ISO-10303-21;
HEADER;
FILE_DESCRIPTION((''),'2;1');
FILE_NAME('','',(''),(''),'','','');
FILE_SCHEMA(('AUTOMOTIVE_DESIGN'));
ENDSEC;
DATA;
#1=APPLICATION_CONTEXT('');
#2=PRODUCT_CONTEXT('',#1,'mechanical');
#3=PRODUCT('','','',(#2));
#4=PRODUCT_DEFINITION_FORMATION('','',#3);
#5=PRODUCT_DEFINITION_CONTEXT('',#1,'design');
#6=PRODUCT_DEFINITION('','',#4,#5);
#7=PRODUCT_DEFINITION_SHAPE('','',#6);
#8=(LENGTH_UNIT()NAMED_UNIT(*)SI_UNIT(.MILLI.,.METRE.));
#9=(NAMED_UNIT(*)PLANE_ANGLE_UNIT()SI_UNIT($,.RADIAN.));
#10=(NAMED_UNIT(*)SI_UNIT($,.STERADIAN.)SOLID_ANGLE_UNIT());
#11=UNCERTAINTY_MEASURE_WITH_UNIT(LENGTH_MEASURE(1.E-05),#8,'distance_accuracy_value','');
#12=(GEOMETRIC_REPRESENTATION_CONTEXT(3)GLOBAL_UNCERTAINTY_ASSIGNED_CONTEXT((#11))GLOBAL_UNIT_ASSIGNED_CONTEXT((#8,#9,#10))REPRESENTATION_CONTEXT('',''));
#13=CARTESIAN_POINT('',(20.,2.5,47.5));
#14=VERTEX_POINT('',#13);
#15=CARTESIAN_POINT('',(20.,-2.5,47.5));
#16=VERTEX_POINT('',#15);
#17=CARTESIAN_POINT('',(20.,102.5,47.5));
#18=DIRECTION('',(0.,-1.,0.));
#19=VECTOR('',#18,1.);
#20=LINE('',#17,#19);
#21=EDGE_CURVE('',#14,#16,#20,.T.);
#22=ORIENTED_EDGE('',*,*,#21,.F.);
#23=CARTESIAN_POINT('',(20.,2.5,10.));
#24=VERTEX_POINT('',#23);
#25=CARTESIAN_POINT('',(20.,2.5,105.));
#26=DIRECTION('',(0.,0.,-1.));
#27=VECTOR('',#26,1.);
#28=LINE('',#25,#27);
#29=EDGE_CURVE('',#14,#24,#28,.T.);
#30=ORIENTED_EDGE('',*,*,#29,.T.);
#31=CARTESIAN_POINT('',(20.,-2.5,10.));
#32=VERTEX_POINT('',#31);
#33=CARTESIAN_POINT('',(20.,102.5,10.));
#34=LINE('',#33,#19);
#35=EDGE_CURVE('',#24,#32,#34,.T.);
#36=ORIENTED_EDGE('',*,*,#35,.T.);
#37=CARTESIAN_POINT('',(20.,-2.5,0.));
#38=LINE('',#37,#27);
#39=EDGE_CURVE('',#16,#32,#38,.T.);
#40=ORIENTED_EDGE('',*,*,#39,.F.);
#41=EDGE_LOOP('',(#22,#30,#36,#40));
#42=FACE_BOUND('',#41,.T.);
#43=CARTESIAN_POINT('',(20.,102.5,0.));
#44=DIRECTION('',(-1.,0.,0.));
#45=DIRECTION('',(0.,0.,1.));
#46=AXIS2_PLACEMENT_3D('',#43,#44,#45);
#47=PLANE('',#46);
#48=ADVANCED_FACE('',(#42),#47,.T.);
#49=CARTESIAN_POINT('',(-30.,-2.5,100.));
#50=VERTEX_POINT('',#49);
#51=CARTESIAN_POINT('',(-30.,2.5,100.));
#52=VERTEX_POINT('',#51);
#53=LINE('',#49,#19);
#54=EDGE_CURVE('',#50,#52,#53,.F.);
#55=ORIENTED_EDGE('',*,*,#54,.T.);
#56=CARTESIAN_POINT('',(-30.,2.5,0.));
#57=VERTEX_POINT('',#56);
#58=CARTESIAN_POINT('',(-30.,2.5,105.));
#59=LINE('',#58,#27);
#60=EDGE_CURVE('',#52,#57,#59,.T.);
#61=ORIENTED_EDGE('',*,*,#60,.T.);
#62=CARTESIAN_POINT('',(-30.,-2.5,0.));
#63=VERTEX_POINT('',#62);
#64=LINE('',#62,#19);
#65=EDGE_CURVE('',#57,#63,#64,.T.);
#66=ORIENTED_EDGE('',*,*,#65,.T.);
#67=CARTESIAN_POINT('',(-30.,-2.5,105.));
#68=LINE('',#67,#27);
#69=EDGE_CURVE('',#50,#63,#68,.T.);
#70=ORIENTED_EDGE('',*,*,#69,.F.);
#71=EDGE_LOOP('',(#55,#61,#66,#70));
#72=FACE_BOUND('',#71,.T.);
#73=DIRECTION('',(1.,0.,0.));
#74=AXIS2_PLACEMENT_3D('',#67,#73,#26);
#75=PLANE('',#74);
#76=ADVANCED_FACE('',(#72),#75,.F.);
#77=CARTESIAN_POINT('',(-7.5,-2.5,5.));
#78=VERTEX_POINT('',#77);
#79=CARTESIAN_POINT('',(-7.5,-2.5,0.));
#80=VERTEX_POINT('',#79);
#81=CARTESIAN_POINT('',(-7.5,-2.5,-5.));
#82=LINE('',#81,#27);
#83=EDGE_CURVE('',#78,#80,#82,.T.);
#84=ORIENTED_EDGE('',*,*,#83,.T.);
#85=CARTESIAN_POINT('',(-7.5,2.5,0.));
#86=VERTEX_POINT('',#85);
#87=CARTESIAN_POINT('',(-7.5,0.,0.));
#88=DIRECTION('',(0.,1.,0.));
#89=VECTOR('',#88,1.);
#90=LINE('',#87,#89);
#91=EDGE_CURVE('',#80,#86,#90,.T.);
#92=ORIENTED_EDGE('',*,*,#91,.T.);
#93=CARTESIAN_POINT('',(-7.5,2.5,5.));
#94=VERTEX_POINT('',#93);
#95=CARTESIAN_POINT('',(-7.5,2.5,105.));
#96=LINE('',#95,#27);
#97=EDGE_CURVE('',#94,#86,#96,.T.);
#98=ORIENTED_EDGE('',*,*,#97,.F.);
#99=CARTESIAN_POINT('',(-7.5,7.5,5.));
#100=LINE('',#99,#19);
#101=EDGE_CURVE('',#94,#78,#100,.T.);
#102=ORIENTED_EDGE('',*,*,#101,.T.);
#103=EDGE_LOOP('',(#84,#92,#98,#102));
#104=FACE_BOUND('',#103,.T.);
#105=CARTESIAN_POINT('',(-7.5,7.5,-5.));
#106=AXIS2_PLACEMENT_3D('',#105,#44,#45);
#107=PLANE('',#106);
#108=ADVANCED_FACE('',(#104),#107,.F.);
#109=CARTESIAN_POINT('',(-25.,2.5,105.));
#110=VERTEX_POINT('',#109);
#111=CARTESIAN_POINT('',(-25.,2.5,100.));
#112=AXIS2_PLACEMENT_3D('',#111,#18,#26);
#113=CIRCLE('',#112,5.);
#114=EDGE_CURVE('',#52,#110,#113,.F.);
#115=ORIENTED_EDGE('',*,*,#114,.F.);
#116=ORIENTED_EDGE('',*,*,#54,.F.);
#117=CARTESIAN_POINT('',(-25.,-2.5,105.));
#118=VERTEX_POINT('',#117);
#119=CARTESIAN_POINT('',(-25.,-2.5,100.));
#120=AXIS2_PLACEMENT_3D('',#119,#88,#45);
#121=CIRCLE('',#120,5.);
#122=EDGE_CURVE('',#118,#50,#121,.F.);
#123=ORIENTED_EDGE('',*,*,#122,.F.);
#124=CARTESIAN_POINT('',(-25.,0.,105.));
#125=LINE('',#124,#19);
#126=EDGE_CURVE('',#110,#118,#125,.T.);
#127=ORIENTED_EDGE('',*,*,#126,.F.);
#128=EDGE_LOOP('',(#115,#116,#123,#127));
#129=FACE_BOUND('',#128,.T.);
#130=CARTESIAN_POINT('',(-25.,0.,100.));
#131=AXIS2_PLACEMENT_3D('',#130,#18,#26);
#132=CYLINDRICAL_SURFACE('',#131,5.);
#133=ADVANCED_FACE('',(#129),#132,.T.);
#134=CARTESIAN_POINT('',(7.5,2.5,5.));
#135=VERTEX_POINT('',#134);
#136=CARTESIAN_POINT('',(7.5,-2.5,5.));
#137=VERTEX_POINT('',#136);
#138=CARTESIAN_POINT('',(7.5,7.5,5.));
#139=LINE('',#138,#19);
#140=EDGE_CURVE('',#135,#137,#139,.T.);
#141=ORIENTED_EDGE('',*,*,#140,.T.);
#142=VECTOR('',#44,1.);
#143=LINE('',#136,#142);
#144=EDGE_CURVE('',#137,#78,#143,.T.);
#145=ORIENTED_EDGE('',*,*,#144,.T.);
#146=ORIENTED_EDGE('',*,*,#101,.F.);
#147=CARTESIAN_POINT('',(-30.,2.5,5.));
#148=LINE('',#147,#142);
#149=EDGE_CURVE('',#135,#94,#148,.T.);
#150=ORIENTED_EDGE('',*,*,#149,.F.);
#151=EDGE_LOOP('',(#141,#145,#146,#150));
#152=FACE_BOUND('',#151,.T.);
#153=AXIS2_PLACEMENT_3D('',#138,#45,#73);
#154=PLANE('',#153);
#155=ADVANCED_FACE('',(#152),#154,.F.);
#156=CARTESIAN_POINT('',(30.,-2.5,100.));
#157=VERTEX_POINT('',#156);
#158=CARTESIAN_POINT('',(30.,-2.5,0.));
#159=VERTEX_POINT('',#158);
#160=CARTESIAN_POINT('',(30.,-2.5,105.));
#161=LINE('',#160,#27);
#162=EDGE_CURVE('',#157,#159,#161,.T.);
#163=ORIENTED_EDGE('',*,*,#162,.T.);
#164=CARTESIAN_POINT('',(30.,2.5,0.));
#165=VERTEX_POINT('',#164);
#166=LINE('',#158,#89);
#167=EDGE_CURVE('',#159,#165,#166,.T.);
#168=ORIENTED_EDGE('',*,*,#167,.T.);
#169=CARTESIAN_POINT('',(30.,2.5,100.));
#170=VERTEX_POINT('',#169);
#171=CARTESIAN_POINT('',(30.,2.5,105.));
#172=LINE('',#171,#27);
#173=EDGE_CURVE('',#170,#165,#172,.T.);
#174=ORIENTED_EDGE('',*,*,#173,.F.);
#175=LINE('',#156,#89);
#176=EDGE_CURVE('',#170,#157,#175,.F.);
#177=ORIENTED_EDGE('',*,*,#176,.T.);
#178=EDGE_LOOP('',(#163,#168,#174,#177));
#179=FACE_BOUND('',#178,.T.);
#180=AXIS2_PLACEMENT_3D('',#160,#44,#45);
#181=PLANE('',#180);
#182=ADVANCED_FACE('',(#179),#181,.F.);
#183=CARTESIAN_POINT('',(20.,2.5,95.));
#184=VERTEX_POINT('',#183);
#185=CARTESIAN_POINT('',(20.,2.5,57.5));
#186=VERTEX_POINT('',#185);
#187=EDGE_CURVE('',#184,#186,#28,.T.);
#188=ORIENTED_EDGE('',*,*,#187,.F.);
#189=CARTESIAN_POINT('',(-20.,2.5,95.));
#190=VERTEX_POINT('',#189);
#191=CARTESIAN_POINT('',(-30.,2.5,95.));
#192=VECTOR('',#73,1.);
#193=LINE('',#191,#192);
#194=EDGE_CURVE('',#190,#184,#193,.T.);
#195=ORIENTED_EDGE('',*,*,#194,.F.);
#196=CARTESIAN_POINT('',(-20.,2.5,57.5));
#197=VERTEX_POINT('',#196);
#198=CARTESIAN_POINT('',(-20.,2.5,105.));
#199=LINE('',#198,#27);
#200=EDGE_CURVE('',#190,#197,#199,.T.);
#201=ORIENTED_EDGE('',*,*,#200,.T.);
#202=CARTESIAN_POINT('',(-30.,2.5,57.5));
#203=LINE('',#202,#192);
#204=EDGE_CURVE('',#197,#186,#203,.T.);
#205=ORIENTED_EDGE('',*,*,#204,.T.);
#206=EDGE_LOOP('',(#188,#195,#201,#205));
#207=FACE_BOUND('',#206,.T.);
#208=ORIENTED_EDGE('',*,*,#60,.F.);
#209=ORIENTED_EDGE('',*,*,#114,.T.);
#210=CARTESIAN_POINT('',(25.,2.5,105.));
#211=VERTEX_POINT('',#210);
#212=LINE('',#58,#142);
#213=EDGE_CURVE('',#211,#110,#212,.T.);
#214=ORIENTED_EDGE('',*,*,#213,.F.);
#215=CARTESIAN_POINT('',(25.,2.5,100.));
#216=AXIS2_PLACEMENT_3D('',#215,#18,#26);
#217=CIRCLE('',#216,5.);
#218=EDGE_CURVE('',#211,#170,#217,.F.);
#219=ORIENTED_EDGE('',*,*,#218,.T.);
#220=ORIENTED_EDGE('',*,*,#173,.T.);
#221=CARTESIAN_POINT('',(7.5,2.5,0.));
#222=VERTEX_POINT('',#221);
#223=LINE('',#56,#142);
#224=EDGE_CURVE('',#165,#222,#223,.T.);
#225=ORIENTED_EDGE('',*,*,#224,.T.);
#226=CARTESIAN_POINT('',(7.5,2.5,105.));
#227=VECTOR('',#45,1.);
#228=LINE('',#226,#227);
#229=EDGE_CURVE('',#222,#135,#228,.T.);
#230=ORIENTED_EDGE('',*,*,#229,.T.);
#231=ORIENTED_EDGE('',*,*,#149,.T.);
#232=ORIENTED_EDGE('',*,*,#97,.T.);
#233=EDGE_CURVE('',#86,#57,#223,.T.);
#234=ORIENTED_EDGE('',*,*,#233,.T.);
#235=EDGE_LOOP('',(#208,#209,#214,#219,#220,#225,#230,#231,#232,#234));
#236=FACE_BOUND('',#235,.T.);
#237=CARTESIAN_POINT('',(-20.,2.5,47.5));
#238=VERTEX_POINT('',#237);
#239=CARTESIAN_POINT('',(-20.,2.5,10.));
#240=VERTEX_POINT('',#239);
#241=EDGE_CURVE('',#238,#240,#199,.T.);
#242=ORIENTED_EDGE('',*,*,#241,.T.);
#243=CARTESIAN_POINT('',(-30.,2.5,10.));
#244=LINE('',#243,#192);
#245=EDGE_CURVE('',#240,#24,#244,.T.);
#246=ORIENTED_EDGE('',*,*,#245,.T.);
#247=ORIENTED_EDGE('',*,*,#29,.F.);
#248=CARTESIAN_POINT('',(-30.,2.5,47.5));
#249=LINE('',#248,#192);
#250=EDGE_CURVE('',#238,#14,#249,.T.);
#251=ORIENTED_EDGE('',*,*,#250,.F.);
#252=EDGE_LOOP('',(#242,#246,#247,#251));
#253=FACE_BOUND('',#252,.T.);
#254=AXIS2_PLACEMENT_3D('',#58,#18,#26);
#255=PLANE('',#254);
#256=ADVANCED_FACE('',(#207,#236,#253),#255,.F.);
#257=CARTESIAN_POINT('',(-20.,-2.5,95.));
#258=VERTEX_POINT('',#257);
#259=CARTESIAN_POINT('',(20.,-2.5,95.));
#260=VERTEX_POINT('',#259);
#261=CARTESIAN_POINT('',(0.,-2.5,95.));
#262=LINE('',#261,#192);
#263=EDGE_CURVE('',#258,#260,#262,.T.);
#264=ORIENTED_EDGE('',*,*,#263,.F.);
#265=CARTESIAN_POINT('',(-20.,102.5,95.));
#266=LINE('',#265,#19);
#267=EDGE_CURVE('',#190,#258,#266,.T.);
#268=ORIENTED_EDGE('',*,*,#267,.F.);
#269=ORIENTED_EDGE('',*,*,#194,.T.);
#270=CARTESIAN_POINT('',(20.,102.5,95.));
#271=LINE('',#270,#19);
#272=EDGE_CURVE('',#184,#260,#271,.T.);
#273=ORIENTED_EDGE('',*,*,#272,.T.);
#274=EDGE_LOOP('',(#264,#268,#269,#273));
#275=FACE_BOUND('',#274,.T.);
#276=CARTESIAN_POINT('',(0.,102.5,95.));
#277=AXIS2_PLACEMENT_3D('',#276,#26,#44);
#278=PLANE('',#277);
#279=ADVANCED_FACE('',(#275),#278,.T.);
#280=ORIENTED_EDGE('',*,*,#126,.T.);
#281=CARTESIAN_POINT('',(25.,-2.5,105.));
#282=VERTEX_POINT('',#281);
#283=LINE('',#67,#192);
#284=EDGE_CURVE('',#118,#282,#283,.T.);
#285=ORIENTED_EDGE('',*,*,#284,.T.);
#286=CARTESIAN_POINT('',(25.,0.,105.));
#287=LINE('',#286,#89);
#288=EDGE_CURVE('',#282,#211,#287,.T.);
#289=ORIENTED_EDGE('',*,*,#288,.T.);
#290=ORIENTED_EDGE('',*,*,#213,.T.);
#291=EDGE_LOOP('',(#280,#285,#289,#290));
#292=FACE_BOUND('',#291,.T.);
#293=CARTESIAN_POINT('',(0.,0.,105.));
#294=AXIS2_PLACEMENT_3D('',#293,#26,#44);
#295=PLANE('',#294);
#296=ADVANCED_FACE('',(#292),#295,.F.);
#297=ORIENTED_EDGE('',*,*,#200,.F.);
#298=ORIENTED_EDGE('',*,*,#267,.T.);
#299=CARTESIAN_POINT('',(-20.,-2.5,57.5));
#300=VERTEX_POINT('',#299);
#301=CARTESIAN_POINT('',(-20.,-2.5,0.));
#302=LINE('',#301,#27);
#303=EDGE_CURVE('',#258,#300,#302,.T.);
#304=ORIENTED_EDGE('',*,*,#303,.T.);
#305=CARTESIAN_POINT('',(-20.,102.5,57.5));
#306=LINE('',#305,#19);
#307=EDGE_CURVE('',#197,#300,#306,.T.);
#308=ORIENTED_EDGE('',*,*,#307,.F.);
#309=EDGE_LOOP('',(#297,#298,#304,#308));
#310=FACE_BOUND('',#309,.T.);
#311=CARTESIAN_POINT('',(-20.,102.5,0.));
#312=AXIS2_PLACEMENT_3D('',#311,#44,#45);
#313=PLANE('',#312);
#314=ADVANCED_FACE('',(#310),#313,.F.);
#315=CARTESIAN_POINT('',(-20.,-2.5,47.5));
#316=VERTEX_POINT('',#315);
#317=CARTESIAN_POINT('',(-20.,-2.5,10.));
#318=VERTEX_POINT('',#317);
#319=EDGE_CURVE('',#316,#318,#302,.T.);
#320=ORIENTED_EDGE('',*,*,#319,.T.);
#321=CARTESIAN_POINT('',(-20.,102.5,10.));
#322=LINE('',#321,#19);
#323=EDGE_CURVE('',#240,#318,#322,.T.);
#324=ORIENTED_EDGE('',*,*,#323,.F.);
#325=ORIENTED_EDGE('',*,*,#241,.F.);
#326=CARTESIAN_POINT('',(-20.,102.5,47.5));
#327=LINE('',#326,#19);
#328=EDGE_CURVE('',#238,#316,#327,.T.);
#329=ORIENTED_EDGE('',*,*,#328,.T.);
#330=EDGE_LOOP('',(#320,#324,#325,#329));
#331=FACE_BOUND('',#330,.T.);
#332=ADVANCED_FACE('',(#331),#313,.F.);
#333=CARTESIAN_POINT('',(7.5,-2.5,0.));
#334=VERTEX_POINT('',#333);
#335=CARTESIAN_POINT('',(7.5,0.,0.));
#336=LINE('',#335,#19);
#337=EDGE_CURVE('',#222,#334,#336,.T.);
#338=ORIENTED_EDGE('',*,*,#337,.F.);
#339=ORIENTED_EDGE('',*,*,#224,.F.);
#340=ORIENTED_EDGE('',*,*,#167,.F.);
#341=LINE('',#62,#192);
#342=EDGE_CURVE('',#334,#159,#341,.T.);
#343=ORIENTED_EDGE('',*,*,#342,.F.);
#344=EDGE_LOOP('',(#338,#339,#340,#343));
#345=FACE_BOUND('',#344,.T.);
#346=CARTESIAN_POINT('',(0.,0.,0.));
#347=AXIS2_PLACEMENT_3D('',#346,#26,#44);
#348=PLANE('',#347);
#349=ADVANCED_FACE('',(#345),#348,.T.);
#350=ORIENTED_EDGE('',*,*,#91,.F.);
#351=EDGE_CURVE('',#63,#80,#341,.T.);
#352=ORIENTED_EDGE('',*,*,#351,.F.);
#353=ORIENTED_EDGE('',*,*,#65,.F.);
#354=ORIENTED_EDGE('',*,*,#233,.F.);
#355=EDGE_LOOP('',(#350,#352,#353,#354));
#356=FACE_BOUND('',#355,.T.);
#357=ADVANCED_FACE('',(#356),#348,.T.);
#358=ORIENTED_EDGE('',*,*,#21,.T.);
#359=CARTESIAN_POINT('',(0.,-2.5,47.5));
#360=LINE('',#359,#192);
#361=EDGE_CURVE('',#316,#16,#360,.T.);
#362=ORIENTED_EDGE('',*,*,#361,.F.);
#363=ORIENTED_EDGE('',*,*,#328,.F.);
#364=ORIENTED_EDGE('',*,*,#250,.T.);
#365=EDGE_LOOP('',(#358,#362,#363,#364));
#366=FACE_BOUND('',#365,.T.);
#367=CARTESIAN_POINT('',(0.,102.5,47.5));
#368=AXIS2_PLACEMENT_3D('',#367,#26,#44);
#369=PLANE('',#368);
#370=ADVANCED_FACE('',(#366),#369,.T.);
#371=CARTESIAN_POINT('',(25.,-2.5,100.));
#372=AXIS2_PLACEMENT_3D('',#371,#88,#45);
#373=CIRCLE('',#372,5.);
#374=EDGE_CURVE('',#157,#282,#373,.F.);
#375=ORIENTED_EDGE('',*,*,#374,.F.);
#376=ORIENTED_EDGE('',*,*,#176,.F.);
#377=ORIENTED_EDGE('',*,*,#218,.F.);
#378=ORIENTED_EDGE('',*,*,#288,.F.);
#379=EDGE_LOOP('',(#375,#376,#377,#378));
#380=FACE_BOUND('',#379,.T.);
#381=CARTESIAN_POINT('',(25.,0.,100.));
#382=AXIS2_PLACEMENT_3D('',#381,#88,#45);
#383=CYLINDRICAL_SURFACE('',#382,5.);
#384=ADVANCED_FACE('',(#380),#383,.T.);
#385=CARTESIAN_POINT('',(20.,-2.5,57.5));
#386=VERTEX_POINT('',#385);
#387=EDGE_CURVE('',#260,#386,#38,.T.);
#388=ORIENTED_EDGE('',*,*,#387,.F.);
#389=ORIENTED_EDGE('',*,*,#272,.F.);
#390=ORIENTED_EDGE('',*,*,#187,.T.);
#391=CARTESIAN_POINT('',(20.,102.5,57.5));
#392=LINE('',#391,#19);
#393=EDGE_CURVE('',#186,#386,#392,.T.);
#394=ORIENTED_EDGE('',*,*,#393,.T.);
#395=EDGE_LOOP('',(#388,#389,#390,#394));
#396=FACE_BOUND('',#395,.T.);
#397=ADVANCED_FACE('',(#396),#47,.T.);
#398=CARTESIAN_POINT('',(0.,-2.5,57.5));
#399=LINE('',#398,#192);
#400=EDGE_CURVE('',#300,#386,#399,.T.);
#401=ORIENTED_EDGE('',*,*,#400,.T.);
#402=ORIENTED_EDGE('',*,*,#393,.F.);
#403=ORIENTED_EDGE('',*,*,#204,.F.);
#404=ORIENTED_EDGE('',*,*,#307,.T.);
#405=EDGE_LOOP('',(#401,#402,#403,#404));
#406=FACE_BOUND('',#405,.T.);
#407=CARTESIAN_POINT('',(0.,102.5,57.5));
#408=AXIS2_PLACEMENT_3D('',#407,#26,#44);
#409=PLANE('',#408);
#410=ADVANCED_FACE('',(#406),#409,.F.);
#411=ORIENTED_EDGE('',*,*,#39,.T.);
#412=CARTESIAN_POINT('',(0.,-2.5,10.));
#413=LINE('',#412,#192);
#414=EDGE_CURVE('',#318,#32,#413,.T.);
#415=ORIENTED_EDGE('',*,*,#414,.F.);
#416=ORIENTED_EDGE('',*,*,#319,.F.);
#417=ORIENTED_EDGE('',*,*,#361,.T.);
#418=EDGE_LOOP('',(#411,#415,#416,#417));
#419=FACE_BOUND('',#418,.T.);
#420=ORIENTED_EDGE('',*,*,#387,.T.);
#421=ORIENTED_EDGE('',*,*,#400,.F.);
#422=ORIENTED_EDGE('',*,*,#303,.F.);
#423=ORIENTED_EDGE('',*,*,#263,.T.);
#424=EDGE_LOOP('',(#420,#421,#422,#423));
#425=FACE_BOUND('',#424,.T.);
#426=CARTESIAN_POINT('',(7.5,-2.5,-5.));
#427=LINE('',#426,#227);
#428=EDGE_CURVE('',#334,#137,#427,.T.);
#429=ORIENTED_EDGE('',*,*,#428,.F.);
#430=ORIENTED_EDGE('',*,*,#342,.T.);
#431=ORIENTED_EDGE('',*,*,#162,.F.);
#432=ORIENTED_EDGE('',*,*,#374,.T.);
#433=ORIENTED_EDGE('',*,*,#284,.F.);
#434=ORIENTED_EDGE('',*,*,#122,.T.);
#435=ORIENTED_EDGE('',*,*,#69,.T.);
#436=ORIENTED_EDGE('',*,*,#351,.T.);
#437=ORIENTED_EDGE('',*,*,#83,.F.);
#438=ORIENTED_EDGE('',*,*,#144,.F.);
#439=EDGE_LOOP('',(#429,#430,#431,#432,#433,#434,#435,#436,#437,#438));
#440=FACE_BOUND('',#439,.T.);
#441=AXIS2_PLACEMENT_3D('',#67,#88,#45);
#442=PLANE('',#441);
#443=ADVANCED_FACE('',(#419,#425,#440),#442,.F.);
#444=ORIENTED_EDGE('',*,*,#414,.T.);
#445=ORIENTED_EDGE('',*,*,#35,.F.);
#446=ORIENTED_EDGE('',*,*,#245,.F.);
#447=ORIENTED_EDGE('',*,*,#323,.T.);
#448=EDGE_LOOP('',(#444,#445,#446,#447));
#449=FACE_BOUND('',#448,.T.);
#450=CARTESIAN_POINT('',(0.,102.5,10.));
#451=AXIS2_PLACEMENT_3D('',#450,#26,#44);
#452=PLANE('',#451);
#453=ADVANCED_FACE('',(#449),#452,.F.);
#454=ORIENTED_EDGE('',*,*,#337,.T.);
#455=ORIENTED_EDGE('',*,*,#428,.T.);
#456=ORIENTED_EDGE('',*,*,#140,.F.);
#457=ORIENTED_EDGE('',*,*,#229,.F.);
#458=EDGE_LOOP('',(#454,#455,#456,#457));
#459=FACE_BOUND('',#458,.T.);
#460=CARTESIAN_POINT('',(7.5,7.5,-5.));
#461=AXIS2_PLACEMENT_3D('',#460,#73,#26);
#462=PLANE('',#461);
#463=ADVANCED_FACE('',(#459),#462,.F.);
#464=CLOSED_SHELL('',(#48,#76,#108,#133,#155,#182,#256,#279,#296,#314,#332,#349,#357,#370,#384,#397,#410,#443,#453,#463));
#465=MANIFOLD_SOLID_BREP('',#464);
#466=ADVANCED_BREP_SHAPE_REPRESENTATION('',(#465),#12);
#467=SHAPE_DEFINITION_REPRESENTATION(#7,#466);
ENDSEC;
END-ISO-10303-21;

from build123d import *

# Parameters (mm, degrees)
SKETCH1_W           = 60
SKETCH1_H           = 5
BOSS_EXTRUDE1_DEPTH = 105
SKETCH2_W           = 40
SKETCH2_H           = 37.5
CUT_EXTRUDE1_DEPTH  = 105
FILLET1_R           = 5
SKETCH4_W           = 15
SKETCH4_H           = 10
CUT_EXTRUDE3_DEPTH  = 10


with BuildPart() as part:
    # Sketch1 → Boss-Extrude1 (new body)
    with BuildSketch(Plane.XY):
        Rectangle(SKETCH1_W, SKETCH1_H)
    extrude(amount=BOSS_EXTRUDE1_DEPTH)

    # Sketch2 → Cut-Extrude1 (cut)
    with BuildSketch(Plane.XZ.offset(2.5)):
        with Locations((0, 28.75)):
            Rectangle(SKETCH2_W, SKETCH2_H)
        with Locations((0, 76.25)):
            Rectangle(SKETCH2_W, SKETCH2_H)
    extrude(amount=-CUT_EXTRUDE1_DEPTH, mode=Mode.SUBTRACT)

    # Fillet1
    fillet1_edges = [part.edges().sort_by_distance(p)[0] for p in [
        (-30, 0, 105),
        (30, 0, 105),
    ]]
    fillet(fillet1_edges, radius=FILLET1_R)

    # Sketch4 → Cut-Extrude3 (cut)
    with BuildSketch(Plane.XZ.offset(2.5)):
        Rectangle(SKETCH4_W, SKETCH4_H)
    extrude(amount=-CUT_EXTRUDE3_DEPTH, mode=Mode.SUBTRACT)


solid = part.part
